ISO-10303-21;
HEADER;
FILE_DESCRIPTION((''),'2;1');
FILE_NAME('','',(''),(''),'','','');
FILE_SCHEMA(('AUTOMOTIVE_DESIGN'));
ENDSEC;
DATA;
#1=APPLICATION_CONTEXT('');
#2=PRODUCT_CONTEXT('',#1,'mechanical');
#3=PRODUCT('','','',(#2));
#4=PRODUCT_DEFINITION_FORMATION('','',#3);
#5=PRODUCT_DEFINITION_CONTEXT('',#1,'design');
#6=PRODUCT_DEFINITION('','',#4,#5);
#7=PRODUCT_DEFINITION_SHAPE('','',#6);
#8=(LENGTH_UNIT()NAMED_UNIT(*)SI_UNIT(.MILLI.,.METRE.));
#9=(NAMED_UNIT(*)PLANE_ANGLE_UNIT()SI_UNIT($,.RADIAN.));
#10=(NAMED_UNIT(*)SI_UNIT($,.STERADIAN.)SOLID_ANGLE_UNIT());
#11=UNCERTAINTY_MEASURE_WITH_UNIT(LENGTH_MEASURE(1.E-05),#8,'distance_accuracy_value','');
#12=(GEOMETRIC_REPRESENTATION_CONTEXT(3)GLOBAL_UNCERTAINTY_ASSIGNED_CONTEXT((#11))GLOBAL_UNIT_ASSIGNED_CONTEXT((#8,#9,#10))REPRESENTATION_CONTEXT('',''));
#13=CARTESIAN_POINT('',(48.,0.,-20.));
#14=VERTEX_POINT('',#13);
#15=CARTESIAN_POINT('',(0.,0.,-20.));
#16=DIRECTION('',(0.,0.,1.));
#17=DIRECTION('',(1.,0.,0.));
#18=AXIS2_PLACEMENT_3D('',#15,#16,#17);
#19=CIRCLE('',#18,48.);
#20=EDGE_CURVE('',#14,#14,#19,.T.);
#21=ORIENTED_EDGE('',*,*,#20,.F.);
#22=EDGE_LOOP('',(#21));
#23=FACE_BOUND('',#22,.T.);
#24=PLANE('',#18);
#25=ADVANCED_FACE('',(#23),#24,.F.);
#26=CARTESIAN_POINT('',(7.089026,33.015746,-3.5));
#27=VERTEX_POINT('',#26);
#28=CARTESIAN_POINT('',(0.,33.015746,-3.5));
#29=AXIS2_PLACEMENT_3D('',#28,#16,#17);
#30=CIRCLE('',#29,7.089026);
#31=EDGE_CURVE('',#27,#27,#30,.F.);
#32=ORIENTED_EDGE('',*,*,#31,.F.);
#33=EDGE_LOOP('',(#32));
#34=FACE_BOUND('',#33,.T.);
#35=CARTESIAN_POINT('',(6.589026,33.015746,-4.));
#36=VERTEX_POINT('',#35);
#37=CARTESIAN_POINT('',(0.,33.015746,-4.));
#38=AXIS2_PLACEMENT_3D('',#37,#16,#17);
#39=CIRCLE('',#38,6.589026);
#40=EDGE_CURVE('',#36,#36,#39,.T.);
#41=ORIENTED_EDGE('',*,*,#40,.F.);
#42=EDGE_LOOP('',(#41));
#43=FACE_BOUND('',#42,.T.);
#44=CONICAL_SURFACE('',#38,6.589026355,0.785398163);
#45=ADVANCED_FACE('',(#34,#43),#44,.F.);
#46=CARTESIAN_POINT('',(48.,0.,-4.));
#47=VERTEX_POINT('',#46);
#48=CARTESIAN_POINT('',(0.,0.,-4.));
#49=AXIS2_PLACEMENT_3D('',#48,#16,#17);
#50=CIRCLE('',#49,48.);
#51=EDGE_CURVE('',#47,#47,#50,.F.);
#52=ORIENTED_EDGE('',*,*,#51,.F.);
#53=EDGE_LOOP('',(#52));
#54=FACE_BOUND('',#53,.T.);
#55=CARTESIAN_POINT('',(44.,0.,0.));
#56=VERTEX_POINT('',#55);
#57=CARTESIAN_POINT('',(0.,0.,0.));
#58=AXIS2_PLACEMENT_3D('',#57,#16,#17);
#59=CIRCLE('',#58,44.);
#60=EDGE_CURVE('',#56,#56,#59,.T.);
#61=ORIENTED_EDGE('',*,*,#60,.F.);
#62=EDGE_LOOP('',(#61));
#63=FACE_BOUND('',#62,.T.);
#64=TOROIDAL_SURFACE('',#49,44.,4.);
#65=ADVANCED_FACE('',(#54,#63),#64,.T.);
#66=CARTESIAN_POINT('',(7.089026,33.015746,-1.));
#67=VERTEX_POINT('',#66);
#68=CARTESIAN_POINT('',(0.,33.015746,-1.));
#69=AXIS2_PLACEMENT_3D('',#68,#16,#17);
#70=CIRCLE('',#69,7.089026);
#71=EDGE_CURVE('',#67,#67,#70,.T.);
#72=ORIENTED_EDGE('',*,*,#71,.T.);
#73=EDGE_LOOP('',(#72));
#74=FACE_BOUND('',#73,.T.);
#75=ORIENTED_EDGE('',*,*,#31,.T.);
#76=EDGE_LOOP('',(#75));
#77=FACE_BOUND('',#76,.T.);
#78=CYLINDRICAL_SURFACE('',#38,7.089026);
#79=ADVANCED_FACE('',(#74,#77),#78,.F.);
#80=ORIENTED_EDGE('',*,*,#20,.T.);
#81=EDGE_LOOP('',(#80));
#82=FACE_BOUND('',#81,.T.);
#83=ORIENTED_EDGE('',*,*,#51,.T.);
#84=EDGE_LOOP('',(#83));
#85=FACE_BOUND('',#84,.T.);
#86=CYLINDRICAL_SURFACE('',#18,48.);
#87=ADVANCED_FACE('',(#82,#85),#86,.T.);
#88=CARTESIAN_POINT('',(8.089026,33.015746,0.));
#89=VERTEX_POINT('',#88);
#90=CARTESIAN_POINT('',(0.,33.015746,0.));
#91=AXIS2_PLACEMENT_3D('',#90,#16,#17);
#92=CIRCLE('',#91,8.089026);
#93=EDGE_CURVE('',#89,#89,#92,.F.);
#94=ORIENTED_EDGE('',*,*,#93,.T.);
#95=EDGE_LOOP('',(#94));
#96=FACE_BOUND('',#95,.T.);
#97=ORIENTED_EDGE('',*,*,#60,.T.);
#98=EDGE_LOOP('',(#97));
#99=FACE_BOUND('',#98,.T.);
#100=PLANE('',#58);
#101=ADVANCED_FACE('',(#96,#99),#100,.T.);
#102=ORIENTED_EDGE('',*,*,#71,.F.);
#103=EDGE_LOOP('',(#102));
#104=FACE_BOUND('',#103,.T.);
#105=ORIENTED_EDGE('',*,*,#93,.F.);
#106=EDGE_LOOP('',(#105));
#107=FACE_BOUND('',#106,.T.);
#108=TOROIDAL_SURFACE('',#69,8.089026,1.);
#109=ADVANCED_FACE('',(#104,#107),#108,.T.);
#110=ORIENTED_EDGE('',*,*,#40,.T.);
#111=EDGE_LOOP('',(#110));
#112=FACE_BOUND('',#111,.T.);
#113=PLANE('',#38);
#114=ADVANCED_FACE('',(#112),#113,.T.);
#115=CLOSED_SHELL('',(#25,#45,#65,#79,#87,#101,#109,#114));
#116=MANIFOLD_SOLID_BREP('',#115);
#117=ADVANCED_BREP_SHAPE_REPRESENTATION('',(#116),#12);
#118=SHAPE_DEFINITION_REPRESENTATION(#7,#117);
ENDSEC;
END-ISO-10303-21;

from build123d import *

# Parameters (mm, degrees)
SKETCH1_R           = 48
BOSS_EXTRUDE1_DEPTH = 20
FILLET1_R           = 4
SKETCH2_R           = 7.089026355
CUT_EXTRUDE1_DEPTH  = 4
FILLET3_R           = 1
CHAMFER1_SIZE       = 0.5


with BuildPart() as part:
    # Sketch1 → Boss-Extrude1 (new body)
    with BuildSketch(Plane.XY):
        Circle(SKETCH1_R)
    extrude(amount=-BOSS_EXTRUDE1_DEPTH)

    # Fillet1
    fillet1_edges = [part.edges().sort_by_distance(p)[0] for p in [
        (-48, 0, 0),
    ]]
    fillet(fillet1_edges, radius=FILLET1_R)

    # Sketch2 → Cut-Extrude1 (cut)
    with BuildSketch(Plane.XY):
        with Locations((0, 33.015746337)):
            Circle(SKETCH2_R)
    extrude(amount=-CUT_EXTRUDE1_DEPTH, mode=Mode.SUBTRACT)

    # Fillet3
    fillet3_edges = [part.edges().sort_by_distance(p)[0] for p in [
        (-7.089026355, 33.015746337, 0),
    ]]
    fillet(fillet3_edges, radius=FILLET3_R)

    # Chamfer1
    chamfer1_edges = [part.edges().sort_by_distance(p)[0] for p in [
        (-7.089026355, 33.015746337, -4),
    ]]
    chamfer(chamfer1_edges, length=CHAMFER1_SIZE)


solid = part.part
